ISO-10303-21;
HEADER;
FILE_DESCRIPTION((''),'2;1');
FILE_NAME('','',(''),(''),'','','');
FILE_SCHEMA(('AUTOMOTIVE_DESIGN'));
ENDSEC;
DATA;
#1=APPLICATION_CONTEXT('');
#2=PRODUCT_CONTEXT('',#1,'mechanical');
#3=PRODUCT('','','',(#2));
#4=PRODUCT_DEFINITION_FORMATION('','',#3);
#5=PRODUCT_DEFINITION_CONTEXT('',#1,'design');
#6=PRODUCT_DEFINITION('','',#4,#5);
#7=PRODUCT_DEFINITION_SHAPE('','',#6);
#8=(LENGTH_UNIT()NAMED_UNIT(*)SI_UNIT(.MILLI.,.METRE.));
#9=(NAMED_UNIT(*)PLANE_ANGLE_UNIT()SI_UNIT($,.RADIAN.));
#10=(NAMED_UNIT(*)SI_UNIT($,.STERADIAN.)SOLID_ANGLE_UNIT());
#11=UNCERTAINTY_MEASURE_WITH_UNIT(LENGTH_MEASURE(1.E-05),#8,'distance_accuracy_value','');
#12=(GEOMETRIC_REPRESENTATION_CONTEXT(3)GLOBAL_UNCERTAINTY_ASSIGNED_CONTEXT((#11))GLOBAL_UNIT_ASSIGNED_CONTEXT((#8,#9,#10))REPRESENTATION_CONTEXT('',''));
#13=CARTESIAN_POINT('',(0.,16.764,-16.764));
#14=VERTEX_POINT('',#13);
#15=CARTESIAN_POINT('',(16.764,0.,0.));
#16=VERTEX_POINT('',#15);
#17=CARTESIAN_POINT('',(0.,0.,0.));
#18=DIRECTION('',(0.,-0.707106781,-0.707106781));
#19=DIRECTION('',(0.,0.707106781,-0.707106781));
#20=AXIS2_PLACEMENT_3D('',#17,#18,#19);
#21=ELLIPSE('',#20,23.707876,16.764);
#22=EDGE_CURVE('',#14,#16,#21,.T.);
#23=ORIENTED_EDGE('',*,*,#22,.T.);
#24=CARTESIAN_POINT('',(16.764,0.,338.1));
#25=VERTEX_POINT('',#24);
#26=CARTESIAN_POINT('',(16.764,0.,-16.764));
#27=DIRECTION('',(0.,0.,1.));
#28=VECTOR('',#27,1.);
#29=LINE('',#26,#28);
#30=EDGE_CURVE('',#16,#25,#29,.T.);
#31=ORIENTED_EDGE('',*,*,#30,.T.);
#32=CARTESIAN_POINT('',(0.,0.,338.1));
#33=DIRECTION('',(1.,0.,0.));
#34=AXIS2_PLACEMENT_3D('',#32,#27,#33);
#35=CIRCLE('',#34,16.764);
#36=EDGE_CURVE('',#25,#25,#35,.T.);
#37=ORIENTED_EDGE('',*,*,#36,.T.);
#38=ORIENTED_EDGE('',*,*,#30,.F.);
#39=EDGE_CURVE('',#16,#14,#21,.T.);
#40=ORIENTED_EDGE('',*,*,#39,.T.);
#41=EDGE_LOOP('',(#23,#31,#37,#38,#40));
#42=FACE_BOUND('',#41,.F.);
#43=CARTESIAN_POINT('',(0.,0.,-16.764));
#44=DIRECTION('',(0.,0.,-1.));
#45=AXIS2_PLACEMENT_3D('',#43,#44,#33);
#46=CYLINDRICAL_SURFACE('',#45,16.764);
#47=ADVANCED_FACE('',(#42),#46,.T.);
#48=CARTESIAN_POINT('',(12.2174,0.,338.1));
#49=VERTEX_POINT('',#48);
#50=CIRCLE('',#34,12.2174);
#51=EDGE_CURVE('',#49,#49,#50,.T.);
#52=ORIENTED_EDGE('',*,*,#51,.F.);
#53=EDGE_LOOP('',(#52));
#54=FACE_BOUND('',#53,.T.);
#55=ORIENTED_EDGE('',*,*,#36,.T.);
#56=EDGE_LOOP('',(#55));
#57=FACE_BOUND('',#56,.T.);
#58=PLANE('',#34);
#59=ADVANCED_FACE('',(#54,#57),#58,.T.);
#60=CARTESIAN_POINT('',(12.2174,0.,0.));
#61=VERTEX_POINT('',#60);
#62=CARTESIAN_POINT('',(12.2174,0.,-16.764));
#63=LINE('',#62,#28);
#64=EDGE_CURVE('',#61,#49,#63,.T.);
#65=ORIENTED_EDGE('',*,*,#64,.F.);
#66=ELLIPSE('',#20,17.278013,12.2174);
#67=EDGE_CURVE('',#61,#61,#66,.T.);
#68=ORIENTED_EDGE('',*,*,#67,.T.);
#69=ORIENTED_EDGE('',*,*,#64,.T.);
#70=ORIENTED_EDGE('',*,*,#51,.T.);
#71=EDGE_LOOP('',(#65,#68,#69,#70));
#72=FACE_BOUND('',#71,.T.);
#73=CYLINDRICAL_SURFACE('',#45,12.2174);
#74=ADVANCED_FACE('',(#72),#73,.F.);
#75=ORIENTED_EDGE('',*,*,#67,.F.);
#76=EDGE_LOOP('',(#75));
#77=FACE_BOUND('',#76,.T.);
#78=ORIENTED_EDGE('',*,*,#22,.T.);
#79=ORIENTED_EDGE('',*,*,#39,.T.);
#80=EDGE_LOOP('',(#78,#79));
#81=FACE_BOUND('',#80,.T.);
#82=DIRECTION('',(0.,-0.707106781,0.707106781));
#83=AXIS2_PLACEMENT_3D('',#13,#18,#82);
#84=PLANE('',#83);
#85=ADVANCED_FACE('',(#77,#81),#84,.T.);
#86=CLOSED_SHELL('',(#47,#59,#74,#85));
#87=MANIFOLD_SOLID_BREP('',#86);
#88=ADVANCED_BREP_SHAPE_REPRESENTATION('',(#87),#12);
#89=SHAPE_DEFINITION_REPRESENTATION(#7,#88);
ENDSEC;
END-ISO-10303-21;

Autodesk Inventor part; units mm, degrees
ref_plane "Start Plane" through (0, 0, -16.764) normal (0, 0, 1) x (1, 0, 0)
ref_plane "End Plane" through (0, 0, 338.1) normal (0, 0, 1) x (1, 0, 0)
sketch "Sketch" plane through (0, 0, 0) normal (0, 0, 1) x (1, 0, 0)
  circle A0 centre (0, 0) radius 12.2174
  circle A1 centre (0, 0) radius 16.764
  dimension "d0" = 33.528
  dimension "d1" = 4.5466
extrude "Body" add sketch "Sketch" along normal up to surface (354.864 mm away) from surface at -16.764
sketch "Sketch3" plane through (0, 0, 0) normal (0, 0, 1) x (1, 0, 0)
  line L0 (0, 0) -> (10, 0)
ref_plane "Work Plane3" through (0, 0, 0) normal (0, -1, 0) x (1, 0, 0)
ref_plane "Work Plane4" through (0, 16.764, -16.764) normal (0, -0.7071, -0.7071) x (1, 0, 0)
split "Split1" plane through (0, 16.764, -16.764) removes the side toward (0, -0.7071, -0.7071)
sketch "Sketch4" plane through (0, 0, 0) normal (0, -1, 0) x (1, 0, 0)
  line L0 (-2, -16.764) -> (12, -16.764) projected
  line L1 (-2, 338.1) -> (12, 338.1) projected
  dimension "d7" = 354.864
equation "\"d0\" = G_H"
equation "\"d1\" = G_T"
equation "\"d2\" = G_L"
equation "\"G_H\" = 33.528"
equation "\"G_T\" = 4.5466"
equation "\"G_L\" = d7"
equation "\"G_OFFSET_START\" = 16.764"
equation "\"G_OFFSET_END\" = 38.1"
equation "\"d4\" = -G_OFFSET_START"
equation "\"d5\" = G_OFFSET_END + B_L"
equation "\"B_L\" = 300"
properties part number "ANSI - 1 x 0.179 - 13.971" material "Steel, Mild"
